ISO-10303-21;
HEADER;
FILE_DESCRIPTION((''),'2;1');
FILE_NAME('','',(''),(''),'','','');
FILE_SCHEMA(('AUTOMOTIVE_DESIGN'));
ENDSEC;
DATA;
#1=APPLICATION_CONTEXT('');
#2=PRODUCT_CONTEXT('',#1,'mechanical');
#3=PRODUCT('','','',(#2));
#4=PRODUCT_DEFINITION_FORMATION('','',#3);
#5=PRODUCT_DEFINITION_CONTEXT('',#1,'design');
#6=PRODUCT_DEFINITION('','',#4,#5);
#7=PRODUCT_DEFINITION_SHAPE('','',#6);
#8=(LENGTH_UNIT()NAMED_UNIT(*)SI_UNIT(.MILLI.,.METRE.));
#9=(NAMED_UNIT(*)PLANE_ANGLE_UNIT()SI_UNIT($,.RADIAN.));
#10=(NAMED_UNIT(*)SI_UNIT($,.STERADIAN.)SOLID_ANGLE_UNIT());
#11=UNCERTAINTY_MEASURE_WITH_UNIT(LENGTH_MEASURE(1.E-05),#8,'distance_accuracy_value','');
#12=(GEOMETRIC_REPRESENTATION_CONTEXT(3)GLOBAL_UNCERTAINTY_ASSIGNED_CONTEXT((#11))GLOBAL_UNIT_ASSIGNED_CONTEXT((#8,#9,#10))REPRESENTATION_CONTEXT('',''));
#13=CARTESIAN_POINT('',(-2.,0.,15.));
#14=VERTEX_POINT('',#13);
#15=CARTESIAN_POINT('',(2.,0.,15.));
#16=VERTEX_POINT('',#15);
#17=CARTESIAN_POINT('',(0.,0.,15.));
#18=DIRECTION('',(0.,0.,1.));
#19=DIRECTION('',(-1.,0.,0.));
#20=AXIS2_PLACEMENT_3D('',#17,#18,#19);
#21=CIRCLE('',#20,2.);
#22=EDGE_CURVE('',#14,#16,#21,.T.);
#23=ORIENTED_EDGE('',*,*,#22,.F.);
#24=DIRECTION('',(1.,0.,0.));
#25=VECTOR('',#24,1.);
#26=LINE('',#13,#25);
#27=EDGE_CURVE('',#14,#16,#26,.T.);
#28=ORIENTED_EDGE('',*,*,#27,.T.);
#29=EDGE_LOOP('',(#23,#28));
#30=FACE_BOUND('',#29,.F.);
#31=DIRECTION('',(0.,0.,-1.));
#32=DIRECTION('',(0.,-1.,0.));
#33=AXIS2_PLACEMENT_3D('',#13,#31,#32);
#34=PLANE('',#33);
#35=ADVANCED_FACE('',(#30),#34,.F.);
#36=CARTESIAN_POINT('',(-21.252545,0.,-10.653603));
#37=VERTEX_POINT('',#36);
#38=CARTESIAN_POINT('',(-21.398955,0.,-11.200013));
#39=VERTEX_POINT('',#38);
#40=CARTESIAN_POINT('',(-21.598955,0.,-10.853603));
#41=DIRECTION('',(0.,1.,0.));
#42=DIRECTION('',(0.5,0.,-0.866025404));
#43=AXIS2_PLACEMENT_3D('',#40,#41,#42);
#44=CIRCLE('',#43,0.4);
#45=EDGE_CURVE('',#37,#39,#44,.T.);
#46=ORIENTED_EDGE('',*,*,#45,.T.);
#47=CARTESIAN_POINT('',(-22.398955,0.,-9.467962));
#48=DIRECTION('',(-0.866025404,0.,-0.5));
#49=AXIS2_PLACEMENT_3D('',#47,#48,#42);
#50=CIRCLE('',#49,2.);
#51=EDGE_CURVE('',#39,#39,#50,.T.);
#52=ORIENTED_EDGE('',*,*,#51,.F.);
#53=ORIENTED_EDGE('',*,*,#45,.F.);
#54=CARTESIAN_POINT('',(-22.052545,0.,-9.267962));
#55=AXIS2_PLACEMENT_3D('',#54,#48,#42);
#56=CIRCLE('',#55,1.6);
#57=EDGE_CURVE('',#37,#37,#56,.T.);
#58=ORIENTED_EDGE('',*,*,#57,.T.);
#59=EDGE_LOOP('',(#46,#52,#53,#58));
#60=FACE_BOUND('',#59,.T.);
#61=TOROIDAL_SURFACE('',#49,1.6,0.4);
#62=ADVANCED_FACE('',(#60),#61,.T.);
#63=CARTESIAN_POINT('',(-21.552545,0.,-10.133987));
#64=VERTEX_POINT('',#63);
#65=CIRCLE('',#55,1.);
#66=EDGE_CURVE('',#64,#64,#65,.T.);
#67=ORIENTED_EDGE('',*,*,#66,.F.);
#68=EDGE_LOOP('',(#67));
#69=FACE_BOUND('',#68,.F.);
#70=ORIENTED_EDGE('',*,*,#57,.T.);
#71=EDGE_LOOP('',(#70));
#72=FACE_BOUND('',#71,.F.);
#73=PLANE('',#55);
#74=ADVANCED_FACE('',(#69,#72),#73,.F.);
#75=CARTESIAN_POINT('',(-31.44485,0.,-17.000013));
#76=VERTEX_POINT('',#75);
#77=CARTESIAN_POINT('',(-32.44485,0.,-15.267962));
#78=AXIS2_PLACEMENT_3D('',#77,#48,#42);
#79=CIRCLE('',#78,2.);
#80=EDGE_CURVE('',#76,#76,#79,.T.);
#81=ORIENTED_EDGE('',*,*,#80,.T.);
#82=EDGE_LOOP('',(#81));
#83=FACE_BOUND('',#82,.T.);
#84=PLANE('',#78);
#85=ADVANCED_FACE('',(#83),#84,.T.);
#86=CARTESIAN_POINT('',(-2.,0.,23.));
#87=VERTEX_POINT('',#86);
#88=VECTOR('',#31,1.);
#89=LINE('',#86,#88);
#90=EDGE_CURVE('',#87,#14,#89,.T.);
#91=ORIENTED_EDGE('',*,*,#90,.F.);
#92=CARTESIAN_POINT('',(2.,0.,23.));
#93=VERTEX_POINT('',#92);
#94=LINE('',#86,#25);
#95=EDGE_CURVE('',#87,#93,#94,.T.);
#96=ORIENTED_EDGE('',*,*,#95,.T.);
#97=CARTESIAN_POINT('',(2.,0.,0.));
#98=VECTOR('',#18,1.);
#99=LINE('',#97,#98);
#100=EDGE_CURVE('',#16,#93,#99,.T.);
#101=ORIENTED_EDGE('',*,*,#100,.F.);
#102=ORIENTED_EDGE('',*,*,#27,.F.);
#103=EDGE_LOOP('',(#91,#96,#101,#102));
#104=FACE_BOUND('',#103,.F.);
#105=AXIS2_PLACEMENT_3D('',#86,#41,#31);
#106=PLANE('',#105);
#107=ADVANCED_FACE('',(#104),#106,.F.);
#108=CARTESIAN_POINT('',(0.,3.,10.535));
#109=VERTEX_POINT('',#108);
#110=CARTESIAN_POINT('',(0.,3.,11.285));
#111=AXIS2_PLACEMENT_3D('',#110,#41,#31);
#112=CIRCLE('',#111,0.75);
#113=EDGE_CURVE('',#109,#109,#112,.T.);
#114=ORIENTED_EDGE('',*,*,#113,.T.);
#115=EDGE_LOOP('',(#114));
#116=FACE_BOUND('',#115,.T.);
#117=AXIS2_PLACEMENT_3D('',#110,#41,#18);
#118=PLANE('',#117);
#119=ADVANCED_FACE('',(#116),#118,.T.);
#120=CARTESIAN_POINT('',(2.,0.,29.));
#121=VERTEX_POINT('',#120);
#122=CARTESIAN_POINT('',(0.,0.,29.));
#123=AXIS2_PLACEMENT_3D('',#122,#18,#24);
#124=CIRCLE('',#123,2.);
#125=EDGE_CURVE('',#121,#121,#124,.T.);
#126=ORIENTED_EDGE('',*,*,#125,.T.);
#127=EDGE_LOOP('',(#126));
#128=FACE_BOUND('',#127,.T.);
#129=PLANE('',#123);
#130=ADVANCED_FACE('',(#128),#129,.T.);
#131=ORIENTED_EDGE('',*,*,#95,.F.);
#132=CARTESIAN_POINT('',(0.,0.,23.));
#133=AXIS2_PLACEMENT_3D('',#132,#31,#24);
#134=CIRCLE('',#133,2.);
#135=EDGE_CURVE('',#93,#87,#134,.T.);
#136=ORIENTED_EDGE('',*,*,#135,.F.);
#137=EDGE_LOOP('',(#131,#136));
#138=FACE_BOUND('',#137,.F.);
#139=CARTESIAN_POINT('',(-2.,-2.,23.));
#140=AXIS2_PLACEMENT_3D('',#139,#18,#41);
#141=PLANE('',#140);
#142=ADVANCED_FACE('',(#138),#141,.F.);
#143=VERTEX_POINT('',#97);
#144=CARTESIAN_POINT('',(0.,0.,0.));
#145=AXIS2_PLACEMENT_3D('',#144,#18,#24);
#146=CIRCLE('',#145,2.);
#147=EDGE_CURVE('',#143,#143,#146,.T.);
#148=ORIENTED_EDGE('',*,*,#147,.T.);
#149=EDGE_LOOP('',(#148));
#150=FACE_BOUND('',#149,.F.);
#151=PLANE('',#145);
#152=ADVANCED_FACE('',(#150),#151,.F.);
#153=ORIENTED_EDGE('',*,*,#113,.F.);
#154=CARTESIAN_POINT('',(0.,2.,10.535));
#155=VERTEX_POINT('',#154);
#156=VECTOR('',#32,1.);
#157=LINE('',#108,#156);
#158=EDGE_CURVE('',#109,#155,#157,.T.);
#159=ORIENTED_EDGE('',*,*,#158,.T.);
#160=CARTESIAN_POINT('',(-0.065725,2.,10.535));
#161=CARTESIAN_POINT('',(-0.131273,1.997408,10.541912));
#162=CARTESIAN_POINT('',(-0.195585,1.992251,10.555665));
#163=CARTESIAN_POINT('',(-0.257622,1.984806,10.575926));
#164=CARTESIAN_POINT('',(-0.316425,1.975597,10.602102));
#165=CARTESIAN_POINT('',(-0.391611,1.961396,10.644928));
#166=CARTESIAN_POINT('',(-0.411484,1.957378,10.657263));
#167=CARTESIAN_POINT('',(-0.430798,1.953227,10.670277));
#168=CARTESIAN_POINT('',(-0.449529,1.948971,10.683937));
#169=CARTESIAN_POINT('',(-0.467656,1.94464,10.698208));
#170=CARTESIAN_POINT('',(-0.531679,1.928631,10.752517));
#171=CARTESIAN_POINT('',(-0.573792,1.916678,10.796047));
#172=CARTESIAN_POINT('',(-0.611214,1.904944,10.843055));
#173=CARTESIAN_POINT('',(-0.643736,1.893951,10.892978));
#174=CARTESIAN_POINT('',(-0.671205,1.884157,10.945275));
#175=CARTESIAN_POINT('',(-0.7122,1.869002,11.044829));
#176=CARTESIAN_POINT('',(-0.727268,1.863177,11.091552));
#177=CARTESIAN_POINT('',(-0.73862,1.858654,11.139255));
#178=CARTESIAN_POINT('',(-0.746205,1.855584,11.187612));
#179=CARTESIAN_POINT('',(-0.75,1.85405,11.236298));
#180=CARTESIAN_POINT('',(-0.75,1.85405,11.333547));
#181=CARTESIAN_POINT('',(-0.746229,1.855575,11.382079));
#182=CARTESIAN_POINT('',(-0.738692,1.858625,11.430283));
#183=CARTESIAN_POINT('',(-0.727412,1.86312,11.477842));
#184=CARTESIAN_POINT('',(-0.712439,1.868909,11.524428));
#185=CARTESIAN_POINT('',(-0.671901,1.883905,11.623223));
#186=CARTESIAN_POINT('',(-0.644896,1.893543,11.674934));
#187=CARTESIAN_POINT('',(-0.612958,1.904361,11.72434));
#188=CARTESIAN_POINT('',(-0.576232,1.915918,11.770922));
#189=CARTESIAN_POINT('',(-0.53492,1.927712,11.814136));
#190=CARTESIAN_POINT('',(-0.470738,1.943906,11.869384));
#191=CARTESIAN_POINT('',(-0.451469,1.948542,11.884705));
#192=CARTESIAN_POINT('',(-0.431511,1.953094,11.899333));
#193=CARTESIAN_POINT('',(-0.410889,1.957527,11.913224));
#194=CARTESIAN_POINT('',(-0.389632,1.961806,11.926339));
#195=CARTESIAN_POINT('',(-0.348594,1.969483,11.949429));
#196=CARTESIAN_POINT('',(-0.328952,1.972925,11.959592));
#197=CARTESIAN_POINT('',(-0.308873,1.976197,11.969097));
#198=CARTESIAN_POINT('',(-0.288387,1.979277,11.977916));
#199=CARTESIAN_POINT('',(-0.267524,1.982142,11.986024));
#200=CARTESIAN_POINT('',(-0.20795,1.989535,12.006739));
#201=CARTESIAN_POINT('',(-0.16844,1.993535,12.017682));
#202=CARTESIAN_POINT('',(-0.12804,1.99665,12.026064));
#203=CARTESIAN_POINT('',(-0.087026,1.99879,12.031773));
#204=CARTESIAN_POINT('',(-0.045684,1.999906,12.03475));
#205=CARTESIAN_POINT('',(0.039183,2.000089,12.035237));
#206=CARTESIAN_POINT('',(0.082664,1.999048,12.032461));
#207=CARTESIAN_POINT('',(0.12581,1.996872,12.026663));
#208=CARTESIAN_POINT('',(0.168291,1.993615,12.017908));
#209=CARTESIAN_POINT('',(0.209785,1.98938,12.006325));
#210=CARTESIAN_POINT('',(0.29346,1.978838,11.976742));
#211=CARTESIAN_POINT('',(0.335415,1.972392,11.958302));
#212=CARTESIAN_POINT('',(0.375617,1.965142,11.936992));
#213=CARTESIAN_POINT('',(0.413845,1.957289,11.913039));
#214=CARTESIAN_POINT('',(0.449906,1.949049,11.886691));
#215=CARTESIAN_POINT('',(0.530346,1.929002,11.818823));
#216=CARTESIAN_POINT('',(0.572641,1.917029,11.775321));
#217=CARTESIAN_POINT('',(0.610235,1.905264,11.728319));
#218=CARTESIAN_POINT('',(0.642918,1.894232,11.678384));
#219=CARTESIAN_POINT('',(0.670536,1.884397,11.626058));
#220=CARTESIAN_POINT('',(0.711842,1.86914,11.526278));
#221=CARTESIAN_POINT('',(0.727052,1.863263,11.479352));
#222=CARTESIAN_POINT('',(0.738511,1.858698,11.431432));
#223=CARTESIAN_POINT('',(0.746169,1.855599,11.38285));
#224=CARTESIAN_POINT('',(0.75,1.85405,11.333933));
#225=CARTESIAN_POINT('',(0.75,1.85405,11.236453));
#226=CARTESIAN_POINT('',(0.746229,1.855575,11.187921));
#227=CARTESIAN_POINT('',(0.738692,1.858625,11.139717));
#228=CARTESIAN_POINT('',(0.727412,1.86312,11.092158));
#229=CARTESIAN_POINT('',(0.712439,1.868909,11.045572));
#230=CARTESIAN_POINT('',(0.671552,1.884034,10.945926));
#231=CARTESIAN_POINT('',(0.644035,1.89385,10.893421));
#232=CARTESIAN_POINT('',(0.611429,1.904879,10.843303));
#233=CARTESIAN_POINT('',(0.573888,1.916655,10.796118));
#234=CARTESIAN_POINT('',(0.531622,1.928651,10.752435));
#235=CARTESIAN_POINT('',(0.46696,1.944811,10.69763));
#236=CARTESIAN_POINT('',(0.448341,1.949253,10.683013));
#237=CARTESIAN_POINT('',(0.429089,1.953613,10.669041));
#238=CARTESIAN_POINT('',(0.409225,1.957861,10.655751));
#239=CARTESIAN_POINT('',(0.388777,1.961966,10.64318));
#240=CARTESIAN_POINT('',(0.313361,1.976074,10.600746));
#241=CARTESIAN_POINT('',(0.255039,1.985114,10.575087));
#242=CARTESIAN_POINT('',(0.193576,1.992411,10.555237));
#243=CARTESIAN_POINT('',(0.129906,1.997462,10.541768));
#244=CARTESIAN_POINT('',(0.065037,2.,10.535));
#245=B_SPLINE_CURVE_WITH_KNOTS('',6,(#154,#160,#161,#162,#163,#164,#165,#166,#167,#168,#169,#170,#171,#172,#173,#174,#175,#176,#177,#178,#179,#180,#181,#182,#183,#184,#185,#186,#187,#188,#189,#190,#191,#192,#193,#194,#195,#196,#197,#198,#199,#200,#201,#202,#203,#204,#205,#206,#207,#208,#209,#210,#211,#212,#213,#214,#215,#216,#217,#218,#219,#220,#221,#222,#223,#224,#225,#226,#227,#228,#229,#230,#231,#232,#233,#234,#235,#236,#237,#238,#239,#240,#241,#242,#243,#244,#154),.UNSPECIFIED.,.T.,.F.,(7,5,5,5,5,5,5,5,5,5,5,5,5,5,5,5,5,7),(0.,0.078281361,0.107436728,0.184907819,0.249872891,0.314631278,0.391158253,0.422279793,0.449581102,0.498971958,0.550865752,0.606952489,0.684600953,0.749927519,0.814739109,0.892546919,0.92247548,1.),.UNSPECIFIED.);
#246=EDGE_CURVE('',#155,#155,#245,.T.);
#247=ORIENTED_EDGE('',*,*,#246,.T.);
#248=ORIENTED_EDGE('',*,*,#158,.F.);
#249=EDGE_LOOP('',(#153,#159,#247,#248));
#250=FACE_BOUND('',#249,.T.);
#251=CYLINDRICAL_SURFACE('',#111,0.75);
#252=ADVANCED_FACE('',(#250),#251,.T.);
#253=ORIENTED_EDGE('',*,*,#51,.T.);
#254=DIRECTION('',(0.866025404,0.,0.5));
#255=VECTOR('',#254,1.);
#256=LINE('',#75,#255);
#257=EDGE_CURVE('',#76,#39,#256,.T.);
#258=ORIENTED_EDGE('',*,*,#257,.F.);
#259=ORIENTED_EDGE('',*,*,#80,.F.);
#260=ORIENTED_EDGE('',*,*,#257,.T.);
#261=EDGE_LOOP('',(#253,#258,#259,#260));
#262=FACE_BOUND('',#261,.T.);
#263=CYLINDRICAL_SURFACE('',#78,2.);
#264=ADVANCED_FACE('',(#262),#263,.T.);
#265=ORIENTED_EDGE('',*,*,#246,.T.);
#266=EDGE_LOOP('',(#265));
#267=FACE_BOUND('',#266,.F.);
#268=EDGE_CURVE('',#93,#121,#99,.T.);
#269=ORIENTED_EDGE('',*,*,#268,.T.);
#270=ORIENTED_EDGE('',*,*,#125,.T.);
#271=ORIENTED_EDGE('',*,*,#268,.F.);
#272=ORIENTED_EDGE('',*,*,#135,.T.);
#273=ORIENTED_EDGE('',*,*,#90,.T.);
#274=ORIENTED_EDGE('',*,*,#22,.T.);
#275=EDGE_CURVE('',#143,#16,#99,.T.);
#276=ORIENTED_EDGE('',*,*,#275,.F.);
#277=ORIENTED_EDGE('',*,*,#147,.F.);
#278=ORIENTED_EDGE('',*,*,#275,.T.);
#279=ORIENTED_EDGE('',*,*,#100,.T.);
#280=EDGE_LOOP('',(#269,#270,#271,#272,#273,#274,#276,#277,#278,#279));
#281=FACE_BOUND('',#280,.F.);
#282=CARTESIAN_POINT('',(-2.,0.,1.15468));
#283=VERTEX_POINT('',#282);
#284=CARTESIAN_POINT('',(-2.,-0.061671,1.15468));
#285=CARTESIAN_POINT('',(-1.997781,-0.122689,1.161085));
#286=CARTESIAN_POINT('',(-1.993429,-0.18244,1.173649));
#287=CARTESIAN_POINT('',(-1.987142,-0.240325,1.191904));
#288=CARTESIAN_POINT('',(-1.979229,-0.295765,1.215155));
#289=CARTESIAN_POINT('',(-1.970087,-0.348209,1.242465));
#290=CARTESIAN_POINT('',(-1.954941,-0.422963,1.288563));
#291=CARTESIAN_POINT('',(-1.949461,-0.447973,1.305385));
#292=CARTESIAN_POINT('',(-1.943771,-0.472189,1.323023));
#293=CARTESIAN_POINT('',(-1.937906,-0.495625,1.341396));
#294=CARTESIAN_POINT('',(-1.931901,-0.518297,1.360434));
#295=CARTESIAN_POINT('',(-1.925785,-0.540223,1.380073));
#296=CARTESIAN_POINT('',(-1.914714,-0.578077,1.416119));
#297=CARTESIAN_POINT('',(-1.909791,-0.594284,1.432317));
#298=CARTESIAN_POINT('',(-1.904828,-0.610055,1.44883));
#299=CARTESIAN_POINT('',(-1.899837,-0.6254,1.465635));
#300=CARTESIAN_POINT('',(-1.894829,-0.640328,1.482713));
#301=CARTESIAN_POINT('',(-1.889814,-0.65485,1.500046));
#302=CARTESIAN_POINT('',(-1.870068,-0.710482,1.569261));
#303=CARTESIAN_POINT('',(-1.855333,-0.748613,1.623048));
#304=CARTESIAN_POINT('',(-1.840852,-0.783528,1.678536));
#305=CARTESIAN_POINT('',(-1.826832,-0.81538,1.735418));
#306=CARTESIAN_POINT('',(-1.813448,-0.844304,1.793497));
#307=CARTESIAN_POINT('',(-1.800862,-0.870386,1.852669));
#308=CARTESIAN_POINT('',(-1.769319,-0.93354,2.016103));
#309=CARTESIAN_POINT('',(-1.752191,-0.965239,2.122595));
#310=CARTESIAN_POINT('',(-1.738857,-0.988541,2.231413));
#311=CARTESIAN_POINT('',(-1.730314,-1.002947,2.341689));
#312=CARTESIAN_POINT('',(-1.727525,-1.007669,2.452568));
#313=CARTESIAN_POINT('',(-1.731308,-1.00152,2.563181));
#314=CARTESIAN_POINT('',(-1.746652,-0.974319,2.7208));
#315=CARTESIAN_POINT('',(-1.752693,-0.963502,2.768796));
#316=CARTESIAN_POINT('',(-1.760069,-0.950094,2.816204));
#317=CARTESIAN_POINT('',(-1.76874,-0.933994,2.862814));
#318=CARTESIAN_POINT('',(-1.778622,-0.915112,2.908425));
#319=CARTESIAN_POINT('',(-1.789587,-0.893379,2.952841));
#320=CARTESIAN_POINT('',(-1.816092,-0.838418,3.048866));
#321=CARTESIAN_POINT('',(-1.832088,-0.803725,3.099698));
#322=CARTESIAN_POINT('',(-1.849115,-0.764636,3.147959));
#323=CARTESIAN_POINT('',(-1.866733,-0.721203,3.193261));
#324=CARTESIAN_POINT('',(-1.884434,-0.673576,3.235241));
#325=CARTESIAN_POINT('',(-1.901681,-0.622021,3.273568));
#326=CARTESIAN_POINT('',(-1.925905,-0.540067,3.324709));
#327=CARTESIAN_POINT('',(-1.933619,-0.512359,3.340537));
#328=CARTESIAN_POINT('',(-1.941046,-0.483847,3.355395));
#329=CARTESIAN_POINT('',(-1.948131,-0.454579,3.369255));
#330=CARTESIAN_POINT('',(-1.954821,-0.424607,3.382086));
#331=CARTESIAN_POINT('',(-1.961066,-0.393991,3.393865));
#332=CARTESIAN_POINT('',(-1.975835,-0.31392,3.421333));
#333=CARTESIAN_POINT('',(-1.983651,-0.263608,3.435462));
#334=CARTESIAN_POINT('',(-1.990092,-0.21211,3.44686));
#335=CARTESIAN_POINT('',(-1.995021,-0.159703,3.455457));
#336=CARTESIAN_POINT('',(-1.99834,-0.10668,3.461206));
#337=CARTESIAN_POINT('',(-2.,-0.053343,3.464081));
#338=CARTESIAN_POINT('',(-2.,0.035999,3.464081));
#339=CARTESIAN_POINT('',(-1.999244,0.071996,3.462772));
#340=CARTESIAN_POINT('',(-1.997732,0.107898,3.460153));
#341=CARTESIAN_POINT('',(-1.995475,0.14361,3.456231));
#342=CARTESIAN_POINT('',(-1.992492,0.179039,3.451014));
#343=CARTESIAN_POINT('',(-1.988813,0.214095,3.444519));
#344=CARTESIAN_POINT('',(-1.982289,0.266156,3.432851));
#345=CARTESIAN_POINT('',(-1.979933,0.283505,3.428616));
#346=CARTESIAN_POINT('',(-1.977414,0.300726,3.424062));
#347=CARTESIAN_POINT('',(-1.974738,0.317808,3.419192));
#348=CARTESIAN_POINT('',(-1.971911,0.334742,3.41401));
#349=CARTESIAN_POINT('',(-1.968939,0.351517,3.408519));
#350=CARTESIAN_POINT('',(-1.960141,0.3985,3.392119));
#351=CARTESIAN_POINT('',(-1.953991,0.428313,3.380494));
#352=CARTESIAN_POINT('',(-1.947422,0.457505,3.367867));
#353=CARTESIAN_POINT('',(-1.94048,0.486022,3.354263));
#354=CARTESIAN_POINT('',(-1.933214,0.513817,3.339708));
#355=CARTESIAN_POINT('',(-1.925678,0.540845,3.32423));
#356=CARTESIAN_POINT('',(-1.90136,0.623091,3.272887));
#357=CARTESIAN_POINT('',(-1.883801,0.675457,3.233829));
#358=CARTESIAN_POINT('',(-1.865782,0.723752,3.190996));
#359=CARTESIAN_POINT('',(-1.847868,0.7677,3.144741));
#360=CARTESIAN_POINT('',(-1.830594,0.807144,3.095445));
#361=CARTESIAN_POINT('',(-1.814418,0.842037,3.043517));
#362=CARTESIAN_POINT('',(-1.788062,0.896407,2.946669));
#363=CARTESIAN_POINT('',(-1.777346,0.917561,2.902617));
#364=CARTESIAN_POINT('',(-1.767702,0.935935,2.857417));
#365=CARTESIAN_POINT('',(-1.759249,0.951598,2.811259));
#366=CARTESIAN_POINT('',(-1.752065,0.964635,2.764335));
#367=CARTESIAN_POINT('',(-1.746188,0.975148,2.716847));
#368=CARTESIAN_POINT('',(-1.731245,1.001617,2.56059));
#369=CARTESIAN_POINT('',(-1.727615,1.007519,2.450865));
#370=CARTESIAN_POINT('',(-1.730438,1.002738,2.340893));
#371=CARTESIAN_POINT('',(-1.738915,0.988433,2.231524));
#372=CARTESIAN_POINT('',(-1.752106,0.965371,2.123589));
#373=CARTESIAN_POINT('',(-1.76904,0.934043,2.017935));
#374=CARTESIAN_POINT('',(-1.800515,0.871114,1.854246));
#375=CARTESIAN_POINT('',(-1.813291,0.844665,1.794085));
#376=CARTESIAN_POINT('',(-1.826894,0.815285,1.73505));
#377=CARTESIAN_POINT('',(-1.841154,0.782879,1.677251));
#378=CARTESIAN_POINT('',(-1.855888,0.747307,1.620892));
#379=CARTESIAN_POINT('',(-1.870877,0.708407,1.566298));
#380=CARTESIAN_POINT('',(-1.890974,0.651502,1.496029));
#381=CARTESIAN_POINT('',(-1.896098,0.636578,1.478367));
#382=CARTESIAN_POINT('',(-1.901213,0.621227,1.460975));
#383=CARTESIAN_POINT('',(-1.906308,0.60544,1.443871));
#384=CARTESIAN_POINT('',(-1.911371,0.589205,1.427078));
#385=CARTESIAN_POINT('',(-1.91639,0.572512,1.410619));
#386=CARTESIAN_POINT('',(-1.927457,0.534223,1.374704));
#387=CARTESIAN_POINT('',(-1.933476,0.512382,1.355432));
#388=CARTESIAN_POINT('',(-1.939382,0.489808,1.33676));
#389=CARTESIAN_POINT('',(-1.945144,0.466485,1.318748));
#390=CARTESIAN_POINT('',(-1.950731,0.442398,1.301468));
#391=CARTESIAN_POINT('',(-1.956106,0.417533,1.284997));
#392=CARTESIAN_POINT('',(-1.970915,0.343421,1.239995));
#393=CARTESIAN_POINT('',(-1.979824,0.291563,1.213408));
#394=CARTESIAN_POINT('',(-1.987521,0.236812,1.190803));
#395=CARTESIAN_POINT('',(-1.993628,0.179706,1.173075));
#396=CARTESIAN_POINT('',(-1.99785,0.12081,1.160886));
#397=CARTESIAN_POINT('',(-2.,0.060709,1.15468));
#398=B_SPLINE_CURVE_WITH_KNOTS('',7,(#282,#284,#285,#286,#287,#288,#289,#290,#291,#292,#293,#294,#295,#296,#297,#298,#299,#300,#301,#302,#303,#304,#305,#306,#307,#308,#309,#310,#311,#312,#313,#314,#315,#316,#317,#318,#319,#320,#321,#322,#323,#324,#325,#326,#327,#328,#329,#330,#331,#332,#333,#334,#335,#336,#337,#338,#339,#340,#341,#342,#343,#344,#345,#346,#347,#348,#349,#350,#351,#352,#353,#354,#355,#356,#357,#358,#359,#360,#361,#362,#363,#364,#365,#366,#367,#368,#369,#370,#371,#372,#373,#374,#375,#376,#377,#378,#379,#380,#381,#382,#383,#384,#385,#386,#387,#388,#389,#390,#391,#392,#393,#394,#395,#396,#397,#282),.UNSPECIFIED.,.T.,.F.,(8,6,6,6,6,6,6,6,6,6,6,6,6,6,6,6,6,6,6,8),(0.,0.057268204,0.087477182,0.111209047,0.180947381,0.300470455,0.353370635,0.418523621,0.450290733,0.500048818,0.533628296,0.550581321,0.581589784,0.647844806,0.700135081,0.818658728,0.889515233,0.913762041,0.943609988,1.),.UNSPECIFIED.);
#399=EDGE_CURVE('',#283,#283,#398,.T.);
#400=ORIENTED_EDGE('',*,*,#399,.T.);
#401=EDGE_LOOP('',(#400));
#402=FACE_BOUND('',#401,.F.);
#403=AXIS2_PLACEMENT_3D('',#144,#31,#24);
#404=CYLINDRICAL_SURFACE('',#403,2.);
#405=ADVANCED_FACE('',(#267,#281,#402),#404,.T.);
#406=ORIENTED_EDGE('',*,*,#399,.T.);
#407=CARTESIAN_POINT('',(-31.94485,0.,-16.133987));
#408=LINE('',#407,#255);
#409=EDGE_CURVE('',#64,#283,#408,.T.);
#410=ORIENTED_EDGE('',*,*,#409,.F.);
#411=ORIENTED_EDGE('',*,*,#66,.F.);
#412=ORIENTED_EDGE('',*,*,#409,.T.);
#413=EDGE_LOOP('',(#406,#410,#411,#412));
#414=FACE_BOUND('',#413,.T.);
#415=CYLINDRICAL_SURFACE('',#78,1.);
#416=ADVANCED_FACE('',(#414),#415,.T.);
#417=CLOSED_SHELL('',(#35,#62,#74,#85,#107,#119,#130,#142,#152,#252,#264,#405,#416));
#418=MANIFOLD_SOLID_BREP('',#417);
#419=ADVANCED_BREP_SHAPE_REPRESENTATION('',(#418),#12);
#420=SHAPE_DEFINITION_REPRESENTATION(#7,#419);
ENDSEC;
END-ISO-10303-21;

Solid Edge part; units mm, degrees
sketch "Sketch1" plane through (0, 0, 0) normal (0, 0, 1) x (1, 0, 0)
  circle A0 centre (0, 0) radius 2
  dimension "D1" = 4
extrude "Protrusion1" add sketch "Sketch1" along normal blind 29
sketch "Sketch2" plane through (-38.4939, 0, -4.7907) normal (-0.866, 0, -0.5) x (0.5, 0, -0.866)
  circle A0 centre (12.0981, 0) radius 1
  dimension "D1" = 2
  dimension "D2" = 2
extrude "Protrusion2" add sketch "Sketch2" against normal up to next
sketch "Sketch3" plane through (-38.4939, 0, -4.7907) normal (-0.866, 0, -0.5) x (0.5, 0, -0.866)
  circle A0 centre (12.0981, 0) radius 2
  dimension "D1" = 4
extrude "Top___Lever" add sketch "Sketch3" against normal blind 12
fillet "Round___Lever" radius 0.4 1 edges at (-23.0526, 0, -7.5359)
sketch "Sketch4" plane through (-2, 0, 14.5) normal (-1, 0, 0) x (0, 0, -1)
  line L0 (-0.5, 2) -> (-8.5, 2)
  line L1 (-8.5, 2) -> (-8.5, 0)
  line L2 (-8.5, 0) -> (-0.5, 0)
  line L3 (-0.5, 0) -> (-0.5, 2)
  dimension "D1" = 6
  dimension "D2" = 8
extrude "Cutout1" cut sketch "Sketch4" against normal up to next
sketch "Sketch5" plane through (0, 3, 14.5) normal (0, 1, 0) x (0, 0, -1)
  circle A0 centre (3.215, 0) radius 0.75
  dimension "D1" = 1.5
  dimension "D2" = 17.715
extrude "Protrusion3" add sketch "Sketch5" against normal up to next
properties material "ABS Plastic, high impact"
